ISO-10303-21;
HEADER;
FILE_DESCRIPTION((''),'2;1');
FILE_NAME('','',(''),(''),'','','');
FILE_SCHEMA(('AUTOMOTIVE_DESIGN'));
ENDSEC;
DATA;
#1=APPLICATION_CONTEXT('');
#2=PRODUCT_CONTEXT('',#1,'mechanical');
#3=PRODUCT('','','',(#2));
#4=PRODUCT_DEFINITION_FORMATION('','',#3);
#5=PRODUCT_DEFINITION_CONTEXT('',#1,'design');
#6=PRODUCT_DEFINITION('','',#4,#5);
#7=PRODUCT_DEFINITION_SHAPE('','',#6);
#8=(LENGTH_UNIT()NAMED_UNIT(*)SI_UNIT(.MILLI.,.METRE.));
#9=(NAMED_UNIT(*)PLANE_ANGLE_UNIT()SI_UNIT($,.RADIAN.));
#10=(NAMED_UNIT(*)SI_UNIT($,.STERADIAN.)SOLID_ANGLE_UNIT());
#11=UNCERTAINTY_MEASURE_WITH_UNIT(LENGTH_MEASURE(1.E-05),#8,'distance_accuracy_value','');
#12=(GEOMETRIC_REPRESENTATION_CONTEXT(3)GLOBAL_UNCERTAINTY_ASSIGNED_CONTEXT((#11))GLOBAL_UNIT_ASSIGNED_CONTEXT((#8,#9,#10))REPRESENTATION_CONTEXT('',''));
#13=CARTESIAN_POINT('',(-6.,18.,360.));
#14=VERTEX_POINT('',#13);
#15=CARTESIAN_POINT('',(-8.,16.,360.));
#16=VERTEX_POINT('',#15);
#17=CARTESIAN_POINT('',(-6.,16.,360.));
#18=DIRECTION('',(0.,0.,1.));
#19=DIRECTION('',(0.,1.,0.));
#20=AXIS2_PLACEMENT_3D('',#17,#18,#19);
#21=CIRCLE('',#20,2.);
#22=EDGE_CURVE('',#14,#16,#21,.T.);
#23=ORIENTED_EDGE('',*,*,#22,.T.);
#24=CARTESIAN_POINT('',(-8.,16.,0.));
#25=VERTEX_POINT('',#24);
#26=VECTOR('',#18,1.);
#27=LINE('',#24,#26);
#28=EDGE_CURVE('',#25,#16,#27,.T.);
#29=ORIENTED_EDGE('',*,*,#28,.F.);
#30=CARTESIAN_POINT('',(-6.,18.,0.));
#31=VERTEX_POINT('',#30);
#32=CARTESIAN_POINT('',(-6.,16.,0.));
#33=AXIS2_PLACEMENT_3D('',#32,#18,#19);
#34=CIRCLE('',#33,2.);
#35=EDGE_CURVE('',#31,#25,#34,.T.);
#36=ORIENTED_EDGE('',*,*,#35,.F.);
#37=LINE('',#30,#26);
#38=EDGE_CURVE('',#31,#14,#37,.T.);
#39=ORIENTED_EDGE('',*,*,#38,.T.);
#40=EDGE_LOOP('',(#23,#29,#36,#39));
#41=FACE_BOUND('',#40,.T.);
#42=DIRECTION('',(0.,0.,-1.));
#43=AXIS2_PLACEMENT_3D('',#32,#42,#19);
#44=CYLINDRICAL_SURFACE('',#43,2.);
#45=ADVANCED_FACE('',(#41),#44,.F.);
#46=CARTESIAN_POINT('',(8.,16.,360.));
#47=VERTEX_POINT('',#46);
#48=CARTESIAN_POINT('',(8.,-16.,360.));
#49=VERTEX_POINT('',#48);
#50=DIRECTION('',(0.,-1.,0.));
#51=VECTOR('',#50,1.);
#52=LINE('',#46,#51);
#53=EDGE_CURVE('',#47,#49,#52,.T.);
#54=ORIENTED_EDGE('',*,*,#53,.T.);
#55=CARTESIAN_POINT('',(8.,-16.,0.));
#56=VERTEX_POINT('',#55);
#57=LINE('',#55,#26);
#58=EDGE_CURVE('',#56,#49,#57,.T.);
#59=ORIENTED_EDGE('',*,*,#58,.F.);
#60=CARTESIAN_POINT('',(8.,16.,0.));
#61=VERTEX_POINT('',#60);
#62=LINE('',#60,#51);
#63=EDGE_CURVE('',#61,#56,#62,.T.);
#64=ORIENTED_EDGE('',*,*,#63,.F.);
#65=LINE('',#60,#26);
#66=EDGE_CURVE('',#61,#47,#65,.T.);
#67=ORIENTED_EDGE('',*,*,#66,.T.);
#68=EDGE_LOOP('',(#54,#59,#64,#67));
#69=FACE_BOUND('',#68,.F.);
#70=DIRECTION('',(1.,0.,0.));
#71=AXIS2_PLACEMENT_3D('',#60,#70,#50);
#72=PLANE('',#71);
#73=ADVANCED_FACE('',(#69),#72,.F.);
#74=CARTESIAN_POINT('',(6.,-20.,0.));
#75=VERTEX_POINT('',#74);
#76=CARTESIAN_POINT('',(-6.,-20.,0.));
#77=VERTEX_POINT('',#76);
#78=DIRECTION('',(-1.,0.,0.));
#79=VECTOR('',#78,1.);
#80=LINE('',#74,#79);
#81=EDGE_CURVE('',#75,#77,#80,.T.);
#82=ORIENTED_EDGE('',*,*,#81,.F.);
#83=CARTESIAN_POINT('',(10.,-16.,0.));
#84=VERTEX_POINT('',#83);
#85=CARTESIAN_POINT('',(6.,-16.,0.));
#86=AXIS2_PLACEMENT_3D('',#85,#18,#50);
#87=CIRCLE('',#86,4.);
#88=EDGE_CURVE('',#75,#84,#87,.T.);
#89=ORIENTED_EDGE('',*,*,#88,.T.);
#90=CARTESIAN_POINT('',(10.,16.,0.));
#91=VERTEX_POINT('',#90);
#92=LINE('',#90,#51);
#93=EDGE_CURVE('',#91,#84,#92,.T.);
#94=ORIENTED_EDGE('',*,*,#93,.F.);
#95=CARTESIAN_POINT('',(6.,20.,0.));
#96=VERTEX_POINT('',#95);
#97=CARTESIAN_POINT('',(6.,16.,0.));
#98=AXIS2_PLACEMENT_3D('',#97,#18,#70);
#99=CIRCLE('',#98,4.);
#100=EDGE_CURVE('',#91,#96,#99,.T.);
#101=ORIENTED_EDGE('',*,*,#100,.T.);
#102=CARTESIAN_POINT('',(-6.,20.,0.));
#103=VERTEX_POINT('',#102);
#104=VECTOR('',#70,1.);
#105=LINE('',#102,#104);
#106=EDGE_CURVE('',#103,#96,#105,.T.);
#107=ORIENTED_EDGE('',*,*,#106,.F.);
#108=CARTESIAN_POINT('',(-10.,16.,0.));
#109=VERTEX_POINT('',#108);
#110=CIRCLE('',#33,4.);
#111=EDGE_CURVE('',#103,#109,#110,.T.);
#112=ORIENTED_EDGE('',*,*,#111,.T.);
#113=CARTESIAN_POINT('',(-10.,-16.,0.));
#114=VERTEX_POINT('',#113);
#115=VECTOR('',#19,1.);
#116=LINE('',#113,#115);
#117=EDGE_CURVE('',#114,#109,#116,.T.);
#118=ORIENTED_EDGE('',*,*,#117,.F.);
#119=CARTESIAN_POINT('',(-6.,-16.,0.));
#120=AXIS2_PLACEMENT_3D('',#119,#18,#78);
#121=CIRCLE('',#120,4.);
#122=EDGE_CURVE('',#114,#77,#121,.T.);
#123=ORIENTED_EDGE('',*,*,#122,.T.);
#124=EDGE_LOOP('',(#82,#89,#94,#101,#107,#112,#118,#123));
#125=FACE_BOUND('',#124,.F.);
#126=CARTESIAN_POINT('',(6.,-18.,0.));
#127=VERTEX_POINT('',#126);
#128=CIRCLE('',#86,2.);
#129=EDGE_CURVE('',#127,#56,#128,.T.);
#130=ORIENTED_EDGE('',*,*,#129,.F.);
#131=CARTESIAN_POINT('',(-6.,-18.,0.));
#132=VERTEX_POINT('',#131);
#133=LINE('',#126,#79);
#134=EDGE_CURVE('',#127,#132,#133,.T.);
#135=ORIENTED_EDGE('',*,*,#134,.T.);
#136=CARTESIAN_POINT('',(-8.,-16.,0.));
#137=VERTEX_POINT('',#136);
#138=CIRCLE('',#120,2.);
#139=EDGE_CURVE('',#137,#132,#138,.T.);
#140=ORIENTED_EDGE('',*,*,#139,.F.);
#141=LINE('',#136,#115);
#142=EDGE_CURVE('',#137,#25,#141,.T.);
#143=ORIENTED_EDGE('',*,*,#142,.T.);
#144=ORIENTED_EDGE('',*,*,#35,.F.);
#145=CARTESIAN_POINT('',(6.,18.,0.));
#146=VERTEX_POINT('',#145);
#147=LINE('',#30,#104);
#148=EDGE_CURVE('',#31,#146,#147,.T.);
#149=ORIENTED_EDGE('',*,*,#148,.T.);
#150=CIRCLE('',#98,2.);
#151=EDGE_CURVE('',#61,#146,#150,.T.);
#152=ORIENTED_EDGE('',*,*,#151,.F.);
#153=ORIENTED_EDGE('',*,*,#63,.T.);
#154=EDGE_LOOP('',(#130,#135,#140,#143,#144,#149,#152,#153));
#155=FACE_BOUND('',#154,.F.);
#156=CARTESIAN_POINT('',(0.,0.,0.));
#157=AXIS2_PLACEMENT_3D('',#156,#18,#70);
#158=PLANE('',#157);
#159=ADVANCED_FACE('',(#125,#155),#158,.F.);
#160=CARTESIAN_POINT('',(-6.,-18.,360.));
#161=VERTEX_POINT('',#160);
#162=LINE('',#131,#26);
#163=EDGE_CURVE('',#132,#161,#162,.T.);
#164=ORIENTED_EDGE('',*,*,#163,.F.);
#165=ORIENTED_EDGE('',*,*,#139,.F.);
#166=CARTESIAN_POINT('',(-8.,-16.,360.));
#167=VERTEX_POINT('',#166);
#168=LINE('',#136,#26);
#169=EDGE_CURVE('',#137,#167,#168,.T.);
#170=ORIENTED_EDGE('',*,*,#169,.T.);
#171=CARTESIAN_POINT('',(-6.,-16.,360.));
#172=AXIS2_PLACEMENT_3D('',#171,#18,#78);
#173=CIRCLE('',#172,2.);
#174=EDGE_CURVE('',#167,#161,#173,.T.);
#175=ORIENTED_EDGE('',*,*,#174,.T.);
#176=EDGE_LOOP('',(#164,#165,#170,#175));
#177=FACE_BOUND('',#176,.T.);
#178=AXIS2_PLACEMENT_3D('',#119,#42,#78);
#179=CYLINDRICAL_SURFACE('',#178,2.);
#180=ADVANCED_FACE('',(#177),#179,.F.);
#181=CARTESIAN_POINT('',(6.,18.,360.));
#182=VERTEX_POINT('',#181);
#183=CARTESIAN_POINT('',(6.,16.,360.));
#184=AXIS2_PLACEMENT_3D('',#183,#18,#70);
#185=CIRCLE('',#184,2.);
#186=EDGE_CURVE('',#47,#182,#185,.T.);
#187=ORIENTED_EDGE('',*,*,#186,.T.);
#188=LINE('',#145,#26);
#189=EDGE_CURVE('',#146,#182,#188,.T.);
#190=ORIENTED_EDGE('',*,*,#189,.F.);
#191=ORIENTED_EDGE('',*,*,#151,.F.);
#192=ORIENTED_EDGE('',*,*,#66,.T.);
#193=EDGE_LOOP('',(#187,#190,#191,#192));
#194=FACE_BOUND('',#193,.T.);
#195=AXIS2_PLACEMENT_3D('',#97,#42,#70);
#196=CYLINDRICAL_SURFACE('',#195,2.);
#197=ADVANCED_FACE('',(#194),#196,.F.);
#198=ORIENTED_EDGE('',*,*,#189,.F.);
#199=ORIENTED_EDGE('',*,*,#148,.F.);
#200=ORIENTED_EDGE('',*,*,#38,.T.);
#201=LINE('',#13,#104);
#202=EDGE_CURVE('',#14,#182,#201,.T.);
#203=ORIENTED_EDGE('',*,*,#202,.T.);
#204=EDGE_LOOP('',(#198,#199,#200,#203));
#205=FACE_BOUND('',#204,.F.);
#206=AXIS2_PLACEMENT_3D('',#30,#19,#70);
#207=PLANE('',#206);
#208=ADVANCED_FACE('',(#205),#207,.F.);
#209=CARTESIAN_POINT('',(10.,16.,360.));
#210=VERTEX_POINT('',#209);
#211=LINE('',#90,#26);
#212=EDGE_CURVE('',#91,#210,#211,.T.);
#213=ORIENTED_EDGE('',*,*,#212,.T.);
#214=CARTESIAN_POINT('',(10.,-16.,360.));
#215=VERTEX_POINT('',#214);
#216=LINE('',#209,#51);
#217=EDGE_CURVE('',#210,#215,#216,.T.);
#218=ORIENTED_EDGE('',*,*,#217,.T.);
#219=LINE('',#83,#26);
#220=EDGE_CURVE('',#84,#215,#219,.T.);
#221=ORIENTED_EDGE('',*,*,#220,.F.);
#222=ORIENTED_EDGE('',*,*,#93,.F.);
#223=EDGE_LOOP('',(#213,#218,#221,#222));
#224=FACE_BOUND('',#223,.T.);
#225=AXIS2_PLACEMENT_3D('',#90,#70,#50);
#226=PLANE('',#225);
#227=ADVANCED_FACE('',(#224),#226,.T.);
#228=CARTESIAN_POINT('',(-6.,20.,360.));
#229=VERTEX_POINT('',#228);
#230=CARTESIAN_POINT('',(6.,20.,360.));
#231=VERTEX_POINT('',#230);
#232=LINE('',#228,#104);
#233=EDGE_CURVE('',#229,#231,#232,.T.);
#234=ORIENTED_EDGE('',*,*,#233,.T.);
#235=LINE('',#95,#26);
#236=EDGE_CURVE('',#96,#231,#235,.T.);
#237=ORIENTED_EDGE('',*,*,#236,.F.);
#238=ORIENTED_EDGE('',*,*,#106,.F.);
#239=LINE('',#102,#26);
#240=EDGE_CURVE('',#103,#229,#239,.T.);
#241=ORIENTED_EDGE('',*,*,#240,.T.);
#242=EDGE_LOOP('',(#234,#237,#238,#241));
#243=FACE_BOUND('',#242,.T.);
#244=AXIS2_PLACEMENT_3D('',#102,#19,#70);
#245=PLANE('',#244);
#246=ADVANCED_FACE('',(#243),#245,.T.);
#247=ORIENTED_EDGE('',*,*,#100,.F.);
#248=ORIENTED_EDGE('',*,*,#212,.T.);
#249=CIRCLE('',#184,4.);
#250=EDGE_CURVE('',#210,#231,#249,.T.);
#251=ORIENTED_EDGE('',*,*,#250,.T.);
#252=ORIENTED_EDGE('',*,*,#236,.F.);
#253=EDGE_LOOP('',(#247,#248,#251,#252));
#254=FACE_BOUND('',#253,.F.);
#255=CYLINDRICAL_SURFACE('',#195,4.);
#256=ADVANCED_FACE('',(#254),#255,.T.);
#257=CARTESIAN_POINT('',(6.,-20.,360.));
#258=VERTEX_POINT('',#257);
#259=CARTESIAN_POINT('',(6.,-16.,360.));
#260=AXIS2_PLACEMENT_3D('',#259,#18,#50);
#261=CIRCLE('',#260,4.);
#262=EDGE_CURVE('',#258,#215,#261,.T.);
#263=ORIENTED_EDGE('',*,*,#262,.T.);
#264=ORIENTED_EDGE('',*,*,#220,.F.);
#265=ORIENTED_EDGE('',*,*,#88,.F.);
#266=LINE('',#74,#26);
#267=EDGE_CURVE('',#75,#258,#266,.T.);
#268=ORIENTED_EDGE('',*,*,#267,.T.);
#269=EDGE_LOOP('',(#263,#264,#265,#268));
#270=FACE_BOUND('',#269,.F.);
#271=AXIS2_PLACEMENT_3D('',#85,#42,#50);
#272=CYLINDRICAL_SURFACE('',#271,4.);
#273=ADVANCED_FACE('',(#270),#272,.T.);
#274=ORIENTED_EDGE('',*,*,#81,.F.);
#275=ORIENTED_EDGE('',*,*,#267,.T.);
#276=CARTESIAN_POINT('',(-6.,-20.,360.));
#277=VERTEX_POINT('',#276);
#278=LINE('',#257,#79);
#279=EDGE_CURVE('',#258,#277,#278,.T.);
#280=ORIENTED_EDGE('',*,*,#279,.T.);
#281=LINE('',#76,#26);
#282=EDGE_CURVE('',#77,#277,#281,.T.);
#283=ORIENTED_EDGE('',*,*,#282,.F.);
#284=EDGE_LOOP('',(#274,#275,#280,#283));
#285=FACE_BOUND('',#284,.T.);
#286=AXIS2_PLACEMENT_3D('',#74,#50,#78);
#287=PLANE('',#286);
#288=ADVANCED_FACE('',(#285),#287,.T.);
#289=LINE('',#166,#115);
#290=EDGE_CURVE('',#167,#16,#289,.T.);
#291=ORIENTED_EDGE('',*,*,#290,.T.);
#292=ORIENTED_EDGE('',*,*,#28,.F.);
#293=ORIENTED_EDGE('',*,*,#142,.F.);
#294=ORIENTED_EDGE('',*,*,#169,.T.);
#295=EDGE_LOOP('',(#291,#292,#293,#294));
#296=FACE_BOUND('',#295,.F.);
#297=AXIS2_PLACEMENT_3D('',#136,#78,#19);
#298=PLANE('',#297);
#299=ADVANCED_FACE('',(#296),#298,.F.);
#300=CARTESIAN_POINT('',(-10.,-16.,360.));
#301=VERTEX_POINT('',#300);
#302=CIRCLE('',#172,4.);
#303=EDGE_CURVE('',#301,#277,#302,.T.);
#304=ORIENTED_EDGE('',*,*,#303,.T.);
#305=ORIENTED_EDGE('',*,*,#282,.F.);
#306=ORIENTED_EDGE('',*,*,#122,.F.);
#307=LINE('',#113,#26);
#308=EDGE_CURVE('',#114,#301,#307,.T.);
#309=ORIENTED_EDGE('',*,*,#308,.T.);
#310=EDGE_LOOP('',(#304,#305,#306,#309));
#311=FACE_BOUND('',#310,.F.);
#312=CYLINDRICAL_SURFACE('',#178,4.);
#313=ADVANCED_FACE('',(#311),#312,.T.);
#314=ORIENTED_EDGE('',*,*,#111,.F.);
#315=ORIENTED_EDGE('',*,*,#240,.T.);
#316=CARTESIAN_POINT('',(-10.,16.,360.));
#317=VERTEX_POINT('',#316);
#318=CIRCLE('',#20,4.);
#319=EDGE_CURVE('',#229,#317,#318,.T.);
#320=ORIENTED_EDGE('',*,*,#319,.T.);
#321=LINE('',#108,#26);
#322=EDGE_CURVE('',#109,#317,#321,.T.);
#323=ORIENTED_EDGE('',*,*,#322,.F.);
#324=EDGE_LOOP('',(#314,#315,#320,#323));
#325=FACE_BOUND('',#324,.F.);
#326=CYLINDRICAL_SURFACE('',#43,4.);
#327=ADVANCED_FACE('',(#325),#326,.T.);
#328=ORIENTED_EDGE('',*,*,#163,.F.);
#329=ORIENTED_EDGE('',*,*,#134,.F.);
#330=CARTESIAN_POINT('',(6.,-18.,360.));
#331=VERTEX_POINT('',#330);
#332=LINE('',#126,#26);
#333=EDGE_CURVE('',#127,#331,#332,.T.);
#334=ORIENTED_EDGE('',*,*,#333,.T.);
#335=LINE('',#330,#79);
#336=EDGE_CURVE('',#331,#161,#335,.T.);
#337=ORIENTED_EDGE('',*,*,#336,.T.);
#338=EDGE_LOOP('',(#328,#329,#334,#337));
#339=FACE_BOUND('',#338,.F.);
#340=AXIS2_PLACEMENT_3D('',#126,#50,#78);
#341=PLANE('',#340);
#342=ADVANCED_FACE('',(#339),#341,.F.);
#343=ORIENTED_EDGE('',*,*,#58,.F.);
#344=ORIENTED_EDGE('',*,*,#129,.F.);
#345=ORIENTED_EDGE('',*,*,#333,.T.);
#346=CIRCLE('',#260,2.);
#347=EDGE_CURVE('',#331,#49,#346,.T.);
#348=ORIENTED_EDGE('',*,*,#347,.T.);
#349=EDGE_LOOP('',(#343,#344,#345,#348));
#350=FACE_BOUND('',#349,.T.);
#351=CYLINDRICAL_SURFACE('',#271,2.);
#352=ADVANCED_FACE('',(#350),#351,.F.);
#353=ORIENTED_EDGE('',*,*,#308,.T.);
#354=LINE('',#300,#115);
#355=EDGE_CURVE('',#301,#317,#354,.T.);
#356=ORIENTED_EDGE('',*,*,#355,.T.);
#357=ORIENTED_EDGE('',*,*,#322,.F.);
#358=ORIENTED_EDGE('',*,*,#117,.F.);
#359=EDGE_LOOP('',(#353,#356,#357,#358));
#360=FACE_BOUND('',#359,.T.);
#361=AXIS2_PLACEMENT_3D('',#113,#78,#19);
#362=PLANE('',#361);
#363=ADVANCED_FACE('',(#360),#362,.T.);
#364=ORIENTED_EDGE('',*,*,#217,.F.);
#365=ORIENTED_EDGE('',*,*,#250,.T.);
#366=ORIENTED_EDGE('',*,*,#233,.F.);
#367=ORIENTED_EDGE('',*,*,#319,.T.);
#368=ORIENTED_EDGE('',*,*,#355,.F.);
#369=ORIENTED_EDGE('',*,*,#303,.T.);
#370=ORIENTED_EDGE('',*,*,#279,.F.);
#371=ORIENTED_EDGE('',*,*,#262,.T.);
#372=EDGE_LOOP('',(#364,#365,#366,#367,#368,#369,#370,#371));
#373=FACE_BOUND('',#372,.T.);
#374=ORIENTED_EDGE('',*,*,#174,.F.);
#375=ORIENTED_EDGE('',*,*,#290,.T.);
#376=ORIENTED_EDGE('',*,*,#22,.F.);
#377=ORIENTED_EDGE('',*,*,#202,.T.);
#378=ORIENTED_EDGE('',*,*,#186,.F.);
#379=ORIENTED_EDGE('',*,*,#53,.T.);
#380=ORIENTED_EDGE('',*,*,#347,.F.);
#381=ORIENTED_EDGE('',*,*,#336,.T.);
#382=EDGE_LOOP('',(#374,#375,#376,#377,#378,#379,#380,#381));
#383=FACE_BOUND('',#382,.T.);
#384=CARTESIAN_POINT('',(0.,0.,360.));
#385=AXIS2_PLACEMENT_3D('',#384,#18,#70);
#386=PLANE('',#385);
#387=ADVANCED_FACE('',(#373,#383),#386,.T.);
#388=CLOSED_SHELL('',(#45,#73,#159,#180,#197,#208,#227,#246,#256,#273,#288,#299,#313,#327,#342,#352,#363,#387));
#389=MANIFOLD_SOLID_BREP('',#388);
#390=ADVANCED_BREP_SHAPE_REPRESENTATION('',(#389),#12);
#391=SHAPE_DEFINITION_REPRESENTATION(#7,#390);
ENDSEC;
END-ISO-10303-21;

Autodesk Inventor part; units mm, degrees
ref_plane "YZ Plane" through (0, 0, 0) normal (1, 0, 0) x (0, 1, 0)
ref_plane "Start Plane" through (0, 0, 0) normal (0, 0, 1) x (1, 0, 0)
ref_plane "End Plane" through (0, 0, 360) normal (0, 0, 1) x (1, 0, 0)
sketch "Sketch" plane through (0, 0, 0) normal (0, 0, 1) x (1, 0, 0)
  line L0 (-10, -16) -> (-10, 16)
  line L1 (-6, 20) -> (6, 20)
  line L2 (10, 16) -> (10, -16)
  line L3 (6, -20) -> (-6, -20)
  arc A0 (-10, -16) -> (-6, -20) centre (-6, -16) ccw
  arc A1 (10, 16) -> (6, 20) centre (6, 16) ccw
  arc A2 (-6, 20) -> (-10, 16) centre (-6, 16) ccw
  arc A3 (6, -20) -> (10, -16) centre (6, -16) ccw
  arc A4 (-6, 18) -> (-8, 16) centre (-6, 16) ccw
  line L4 (-6, 18) -> (6, 18)
  arc A5 (8, 16) -> (6, 18) centre (6, 16) ccw
  line L5 (8, 16) -> (8, -16)
  arc A6 (6, -18) -> (8, -16) centre (6, -16) ccw
  line L6 (6, -18) -> (-6, -18)
  arc A7 (-8, -16) -> (-6, -18) centre (-6, -16) ccw
  line L7 (-8, -16) -> (-8, 16)
  line L8 (0, 29.1598) -> (0, -29.1598) construction
  line L9 (-15.1598, 0) -> (15.1598, 0) construction
  dimension "d7" = 4
  dimension "d9" = 20
  dimension "d11" = 40
  dimension "d12" = 2
  dimension "d15" = 10
  dimension "d16" = 20
extrude "Body" add sketch "Sketch" along normal up to surface (360 mm away) from surface at 0
sketch "Sketch3" plane through (0, 0, 0) normal (0, 0, 1) x (1, 0, 0)
  line L0 (0, 0) -> (10, 0)
ref_plane "Work Plane3" through (0, 0, 0) normal (0, -1, 0) x (1, 0, 0)
sketch "Sketch4" plane through (0, 0, 0) normal (0, -1, 0) x (1, 0, 0)
  line L0 (-2, 0) -> (12, 0) projected
  line L1 (-2, 360) -> (12, 360) projected
  dimension "d18" = 360
equation "\"d7\" = G_IR"
equation "\"d9\" = G_W"
equation "\"d11\" = G_H"
equation "\"d12\" = G_T"
equation "\"d15\" = 0.5 * d9"
equation "\"d16\" = 0.5 * d11"
equation "\"d3\" = G_L"
equation "\"G_W\" = 20"
equation "\"G_H\" = 40"
equation "\"G_T\" = 2"
equation "\"G_IR\" = 4"
equation "\"G_L\" = d18"
equation "\"G_OFFSET_START\" = 0"
properties part number "ISO 4019 - 40x20x2 - 360" material "Steel, Mild"
